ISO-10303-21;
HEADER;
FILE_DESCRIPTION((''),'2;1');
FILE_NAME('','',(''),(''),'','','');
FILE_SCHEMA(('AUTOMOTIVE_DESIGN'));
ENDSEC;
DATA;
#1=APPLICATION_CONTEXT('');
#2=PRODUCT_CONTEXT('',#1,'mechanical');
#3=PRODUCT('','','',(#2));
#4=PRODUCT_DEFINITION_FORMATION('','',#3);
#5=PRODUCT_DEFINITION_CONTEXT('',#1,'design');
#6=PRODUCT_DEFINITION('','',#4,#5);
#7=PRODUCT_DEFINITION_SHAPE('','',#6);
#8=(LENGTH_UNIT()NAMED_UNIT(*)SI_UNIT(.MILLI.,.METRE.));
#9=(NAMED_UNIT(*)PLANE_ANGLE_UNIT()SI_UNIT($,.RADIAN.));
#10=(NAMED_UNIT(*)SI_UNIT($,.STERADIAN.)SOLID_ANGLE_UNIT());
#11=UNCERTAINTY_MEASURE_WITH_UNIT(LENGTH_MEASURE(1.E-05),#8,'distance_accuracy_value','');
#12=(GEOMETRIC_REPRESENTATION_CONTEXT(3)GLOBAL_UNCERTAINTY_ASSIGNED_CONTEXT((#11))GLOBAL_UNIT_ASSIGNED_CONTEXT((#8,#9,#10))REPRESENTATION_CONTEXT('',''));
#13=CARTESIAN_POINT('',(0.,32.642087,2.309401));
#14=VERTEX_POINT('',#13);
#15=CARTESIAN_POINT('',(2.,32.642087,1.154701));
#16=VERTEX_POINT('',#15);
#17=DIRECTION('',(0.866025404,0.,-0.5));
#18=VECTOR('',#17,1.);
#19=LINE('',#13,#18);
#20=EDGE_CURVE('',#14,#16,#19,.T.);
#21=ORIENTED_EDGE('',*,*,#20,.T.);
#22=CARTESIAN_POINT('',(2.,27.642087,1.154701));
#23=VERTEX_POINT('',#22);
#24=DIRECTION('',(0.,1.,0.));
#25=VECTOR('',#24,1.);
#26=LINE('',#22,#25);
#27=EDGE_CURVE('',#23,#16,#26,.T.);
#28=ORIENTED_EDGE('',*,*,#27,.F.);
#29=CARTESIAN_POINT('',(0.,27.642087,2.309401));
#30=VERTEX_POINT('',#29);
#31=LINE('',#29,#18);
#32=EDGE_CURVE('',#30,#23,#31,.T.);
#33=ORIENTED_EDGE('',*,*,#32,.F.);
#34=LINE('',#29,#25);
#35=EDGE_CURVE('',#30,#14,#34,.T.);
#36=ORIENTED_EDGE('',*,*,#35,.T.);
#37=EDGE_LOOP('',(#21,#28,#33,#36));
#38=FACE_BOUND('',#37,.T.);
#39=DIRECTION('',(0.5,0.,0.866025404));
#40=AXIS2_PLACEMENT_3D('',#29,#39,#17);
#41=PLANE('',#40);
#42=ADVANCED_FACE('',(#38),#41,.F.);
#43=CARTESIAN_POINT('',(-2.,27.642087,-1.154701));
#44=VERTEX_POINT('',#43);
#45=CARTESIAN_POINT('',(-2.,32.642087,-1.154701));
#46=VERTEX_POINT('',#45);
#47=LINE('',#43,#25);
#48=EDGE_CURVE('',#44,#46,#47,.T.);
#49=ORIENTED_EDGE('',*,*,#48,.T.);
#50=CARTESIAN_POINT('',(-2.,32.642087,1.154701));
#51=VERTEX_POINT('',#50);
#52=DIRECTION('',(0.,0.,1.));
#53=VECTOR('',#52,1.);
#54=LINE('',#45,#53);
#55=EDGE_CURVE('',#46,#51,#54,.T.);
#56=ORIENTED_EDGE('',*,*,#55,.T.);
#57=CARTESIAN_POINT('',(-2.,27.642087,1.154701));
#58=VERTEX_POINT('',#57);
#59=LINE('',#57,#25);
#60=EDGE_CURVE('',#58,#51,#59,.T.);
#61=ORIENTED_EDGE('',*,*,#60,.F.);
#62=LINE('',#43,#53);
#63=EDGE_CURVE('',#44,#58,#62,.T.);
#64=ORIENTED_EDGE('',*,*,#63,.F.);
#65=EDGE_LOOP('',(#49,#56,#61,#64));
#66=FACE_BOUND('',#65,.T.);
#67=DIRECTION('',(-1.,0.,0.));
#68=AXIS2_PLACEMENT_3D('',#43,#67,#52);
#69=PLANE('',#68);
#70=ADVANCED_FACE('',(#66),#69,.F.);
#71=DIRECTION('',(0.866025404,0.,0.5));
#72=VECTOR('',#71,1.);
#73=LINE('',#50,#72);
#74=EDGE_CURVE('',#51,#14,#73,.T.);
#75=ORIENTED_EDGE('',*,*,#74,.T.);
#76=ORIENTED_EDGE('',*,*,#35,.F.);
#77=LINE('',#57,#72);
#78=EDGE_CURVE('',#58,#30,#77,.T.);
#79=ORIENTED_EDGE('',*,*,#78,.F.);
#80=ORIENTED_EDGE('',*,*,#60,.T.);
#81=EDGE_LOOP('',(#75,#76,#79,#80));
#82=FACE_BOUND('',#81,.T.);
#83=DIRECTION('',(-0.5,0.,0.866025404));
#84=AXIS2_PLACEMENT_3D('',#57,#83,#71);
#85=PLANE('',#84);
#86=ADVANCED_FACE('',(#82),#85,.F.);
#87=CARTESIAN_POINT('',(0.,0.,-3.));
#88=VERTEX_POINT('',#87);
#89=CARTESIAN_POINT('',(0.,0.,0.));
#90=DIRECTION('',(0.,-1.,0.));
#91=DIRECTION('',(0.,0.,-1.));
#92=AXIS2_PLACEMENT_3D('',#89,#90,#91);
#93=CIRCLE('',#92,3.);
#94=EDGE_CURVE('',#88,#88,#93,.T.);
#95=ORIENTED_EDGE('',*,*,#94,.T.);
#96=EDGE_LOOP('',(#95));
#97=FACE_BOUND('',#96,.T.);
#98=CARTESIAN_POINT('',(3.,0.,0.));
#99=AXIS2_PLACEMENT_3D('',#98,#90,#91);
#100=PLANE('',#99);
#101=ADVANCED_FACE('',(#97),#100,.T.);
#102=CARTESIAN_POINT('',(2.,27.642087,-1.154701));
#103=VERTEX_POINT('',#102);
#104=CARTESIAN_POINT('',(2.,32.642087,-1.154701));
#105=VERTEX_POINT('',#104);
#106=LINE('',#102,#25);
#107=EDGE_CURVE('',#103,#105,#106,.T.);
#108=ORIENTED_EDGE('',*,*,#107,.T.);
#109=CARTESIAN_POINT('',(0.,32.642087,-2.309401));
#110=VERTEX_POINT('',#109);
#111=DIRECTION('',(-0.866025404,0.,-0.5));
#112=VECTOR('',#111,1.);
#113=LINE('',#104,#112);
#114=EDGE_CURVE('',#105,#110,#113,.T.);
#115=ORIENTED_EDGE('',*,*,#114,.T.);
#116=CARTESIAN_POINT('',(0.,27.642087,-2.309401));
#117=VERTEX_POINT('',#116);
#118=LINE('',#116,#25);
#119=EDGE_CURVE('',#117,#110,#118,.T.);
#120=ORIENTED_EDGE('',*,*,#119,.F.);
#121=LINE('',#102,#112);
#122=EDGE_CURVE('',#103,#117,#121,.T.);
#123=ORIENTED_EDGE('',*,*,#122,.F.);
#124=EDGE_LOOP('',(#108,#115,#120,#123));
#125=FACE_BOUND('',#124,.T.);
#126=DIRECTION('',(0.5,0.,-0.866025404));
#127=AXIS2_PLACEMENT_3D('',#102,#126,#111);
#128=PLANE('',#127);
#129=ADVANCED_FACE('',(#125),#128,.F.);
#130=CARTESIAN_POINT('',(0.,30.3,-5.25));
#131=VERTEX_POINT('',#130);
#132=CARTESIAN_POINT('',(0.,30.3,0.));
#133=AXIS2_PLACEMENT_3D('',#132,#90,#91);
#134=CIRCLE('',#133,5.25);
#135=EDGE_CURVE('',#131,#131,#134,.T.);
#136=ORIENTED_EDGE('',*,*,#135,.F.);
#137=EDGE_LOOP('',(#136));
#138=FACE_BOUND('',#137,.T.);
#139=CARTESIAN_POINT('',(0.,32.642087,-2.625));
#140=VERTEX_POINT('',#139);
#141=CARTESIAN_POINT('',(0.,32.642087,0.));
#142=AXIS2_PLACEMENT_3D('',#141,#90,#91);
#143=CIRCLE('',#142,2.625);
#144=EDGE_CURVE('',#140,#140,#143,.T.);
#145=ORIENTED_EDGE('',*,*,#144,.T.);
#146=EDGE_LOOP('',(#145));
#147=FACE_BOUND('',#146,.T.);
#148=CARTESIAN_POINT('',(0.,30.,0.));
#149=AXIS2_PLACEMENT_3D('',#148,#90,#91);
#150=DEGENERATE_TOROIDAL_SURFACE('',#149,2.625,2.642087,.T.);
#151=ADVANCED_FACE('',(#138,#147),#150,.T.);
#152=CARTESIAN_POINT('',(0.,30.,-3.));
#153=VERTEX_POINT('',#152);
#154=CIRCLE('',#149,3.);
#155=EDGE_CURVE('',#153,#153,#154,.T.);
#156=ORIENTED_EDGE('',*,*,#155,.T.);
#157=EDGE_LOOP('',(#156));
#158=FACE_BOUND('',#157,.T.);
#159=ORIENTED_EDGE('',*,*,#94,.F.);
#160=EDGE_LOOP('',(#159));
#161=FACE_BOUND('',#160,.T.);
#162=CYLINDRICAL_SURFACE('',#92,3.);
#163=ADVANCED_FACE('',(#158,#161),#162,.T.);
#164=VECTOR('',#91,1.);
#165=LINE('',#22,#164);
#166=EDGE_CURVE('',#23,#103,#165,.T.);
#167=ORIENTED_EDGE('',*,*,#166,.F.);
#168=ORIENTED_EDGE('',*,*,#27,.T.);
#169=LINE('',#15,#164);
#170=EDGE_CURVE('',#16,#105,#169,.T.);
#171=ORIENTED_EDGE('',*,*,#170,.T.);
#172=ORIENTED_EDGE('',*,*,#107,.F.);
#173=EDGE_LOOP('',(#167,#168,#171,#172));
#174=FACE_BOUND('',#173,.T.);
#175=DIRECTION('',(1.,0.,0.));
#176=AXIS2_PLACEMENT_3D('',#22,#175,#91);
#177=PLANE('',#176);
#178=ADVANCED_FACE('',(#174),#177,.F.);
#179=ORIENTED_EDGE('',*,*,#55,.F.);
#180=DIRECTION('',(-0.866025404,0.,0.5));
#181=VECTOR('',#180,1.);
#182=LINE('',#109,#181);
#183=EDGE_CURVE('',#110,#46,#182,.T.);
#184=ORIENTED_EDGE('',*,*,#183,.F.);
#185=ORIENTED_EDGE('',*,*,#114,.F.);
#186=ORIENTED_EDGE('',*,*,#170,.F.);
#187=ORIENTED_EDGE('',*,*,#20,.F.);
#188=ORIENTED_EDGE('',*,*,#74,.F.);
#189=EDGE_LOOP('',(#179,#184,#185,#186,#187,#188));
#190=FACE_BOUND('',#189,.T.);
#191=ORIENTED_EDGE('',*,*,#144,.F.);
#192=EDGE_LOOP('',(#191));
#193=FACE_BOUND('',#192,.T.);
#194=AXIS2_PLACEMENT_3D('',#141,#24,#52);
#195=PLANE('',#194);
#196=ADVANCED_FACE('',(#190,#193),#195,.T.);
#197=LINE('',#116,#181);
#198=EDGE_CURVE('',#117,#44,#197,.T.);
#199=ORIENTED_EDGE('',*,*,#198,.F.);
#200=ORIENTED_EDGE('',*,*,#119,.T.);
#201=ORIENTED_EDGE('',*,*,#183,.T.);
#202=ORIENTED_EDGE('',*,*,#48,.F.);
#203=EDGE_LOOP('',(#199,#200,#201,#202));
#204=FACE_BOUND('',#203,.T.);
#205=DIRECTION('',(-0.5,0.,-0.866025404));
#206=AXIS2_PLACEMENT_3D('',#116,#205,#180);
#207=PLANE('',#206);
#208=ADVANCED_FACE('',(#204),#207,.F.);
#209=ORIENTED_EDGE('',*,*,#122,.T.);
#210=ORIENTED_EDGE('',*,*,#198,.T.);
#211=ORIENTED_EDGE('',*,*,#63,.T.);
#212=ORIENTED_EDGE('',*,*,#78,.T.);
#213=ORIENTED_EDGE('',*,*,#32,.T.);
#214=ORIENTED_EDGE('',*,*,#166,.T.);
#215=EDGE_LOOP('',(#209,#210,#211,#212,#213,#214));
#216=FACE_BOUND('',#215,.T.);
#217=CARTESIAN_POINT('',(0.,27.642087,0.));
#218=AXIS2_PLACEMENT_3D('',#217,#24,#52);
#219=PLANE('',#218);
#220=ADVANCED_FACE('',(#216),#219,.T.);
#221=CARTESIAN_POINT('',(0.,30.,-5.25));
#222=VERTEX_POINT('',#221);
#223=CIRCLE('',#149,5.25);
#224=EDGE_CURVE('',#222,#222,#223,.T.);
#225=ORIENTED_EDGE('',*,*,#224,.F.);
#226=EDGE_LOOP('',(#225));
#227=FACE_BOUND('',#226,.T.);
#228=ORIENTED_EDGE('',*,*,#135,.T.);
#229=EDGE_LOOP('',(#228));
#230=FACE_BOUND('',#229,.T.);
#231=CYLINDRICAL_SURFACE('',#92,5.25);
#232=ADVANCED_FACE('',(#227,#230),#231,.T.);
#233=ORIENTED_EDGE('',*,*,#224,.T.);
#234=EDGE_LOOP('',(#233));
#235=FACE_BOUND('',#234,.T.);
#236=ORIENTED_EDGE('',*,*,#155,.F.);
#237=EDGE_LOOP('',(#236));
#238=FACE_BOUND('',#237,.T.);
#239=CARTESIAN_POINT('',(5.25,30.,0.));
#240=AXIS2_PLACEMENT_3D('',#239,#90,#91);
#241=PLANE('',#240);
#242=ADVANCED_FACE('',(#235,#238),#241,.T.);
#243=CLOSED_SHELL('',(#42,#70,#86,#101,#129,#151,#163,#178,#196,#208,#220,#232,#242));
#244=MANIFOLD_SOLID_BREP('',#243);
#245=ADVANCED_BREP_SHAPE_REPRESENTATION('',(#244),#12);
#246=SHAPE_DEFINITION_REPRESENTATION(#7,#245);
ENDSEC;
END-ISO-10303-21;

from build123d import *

# Parameters (mm, degrees)
CORTE_EXTRUS_O1_DEPTH = 5


with BuildPart() as part:
    # Esboço1 → Revolução1 (revolve)
    with BuildSketch(Plane.XY):
        with BuildLine():
            Line((0, 32.642087243), (2.625, 32.642087243))
            ThreePointArc((2.625, 32.642087243), (4.383976809, 31.971452659), (5.25, 30.3))
            Line((5.25, 30.3), (5.25, 30))
            Line((5.25, 30), (3, 30))
            Line((3, 30), (3, 0))
            Line((3, 0), (0, 0))
            Line((0, 0), (0, 32.642087243))
        make_face()
    revolve(axis=Axis((0, 0, 0), (0, 1, 0)))

    # Esboço2 → Corte-extrusão1 (cut)
    with BuildSketch(Plane(origin=(0, 32.642087243, 0), x_dir=(1, 0, 0), z_dir=(0, 1, 0))):
        Polygon((0, 2.309401077), (-2, 1.154700538), (-2, -1.154700538), (0, -2.309401077), (2, -1.154700538), (2, 1.154700538), align=None)
    extrude(amount=-CORTE_EXTRUS_O1_DEPTH, mode=Mode.SUBTRACT)


solid = part.part
